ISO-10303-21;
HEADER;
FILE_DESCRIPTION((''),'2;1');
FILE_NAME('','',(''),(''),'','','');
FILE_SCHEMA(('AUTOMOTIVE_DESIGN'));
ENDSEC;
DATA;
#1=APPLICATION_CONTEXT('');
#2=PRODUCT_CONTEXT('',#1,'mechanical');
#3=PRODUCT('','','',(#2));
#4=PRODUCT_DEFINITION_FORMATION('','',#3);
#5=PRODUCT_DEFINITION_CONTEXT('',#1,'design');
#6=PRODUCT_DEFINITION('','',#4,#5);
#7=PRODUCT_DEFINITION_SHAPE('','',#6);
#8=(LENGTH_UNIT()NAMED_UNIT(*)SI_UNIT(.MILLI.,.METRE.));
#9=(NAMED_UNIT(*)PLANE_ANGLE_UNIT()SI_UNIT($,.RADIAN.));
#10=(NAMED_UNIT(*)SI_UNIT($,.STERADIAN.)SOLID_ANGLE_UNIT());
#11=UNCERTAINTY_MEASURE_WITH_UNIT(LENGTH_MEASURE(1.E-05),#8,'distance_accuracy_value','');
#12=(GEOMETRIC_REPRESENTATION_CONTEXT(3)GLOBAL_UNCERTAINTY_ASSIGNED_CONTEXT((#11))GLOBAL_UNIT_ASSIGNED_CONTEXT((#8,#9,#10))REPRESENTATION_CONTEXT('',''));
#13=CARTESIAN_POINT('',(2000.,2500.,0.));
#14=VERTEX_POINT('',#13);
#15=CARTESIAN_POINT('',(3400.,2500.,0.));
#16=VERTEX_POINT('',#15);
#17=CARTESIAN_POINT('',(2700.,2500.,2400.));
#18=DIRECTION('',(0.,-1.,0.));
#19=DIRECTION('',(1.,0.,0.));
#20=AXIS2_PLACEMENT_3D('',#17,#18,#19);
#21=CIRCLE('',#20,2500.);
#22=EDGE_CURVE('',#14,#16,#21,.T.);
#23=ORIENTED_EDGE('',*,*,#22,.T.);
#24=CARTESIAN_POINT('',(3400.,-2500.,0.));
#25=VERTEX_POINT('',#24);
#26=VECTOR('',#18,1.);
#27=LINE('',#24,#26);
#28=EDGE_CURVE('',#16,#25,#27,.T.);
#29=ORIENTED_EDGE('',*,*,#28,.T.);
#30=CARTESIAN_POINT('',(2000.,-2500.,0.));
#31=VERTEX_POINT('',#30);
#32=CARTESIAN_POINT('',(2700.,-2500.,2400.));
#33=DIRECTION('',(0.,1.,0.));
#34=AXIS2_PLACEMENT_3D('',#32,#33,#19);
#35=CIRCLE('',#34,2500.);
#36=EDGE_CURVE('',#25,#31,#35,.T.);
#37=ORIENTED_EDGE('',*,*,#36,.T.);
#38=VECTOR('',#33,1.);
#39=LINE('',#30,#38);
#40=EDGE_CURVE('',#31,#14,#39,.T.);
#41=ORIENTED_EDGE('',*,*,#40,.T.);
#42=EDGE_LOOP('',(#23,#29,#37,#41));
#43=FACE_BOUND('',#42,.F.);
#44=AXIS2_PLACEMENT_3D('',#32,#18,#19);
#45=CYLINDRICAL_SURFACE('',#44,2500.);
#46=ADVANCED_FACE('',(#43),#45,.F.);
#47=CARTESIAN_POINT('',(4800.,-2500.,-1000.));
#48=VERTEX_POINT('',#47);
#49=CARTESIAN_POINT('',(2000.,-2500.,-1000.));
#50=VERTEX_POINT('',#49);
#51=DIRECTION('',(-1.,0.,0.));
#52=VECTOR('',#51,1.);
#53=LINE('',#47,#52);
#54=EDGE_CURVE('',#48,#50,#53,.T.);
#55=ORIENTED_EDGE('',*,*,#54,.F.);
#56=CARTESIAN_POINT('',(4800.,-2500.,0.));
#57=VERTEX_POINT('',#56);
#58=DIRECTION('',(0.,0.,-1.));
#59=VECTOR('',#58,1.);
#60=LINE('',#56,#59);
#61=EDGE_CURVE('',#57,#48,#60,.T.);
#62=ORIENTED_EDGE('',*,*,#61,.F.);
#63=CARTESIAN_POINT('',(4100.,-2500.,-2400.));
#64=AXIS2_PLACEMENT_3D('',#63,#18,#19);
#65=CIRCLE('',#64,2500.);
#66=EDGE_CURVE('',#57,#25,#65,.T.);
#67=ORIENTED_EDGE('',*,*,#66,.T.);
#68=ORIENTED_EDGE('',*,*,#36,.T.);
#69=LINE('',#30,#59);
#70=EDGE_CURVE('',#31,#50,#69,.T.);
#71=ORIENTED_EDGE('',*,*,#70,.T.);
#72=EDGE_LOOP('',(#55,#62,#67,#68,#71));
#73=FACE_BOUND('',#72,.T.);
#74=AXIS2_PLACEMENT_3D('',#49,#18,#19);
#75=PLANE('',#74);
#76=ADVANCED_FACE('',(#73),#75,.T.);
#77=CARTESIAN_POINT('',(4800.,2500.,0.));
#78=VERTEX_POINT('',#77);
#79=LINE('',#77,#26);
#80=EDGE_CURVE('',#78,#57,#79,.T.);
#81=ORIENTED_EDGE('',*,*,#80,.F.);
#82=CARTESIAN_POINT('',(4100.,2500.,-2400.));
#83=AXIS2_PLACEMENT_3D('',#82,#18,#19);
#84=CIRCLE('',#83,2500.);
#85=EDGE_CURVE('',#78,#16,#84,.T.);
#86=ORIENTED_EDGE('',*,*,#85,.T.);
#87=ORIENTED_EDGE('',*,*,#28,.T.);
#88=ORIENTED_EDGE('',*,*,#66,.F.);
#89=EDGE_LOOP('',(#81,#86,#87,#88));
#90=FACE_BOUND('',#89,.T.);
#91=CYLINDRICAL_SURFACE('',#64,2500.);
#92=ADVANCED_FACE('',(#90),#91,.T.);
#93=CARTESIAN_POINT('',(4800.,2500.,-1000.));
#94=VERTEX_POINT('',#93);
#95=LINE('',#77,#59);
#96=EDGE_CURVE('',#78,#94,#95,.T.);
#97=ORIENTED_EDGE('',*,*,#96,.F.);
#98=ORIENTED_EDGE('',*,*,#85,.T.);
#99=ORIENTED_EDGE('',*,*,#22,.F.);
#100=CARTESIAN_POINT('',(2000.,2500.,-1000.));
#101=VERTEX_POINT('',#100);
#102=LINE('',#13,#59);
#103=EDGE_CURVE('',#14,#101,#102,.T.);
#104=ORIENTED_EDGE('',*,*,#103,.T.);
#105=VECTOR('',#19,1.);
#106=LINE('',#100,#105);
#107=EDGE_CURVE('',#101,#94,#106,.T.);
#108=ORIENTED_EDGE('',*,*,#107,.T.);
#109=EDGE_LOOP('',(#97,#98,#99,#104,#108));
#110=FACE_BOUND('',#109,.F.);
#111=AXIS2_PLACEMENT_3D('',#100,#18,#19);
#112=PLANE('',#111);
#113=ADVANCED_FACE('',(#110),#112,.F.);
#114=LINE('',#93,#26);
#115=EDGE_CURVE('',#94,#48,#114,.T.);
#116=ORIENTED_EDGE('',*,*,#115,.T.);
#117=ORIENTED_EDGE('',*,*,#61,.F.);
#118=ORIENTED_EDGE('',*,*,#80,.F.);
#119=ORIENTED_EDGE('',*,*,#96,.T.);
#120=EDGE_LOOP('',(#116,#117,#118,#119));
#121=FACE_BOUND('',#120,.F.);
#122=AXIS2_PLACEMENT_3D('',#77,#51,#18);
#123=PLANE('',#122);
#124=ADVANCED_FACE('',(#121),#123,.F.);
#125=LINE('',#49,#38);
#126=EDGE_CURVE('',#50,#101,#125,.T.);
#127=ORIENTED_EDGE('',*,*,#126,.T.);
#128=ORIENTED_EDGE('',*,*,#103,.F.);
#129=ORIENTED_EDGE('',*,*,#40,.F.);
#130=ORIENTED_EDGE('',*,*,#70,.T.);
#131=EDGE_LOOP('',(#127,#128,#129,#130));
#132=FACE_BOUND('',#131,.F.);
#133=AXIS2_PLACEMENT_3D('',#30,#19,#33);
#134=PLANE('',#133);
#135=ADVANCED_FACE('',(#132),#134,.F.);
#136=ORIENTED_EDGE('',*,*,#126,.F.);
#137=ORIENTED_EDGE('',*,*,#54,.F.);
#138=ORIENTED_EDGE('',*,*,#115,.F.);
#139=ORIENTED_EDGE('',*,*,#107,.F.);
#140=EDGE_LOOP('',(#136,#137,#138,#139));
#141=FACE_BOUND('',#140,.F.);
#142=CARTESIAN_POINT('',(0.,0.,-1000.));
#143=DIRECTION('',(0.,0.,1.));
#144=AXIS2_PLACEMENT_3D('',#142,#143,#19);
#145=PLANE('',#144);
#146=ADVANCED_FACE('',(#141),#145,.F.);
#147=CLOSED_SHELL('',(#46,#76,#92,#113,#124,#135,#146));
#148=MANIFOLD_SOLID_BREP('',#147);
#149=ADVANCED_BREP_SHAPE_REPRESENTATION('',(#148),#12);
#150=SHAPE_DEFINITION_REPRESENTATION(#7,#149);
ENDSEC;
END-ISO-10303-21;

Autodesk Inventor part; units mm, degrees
ref_plane "YZ Plane" through (0, 0, 0) normal (1, 0, 0) x (0, 1, 0)
ref_plane "XZ Plane" through (0, 0, 0) normal (0, 1, 0) x (-1, 0, 0)
ref_plane "XY Plane" through (0, 0, 0) normal (0, 0, 1) x (1, 0, 0)
sketch "スケッチ1" plane through (0, 0, 0) normal (0, 0, 1) x (1, 0, 0)
  line L0 (2000, 2500) -> (4800, 2500)
  line L1 (4800, 2500) -> (4800, -2500)
  line L2 (4800, -2500) -> (2000, -2500)
  line L3 (2000, -2500) -> (2000, 2500)
  point P0 (0, 0)
  point P1 (2000, 0)
  dimension "d2" = 5000
  dimension "d5" = 2000
  dimension "d6" = 2800
extrude "押し出し1" add sketch "スケッチ1" against normal blind 1000
sketch "スケッチ2" plane through (2000, -2500, 0) normal (0, -1, 0) x (1, 0, 0)
  circle A0 centre (700, 2400) radius 2500
  line L0 (0, 0) -> (2800, 0) projected
  point P0 (-2000, 0)
  point P1 (1400, 0)
  dimension "d7" = 5000
extrude "押し出し2" cut sketch "スケッチ2" against normal through all
sketch "スケッチ3" plane through (2000, -2500, -1000) normal (0, -1, 0) x (1, 0, 0)
  line L0 (2800, 1000) -> (1400, 1000) projected
  circle A0 centre (2100, -1400) radius 2500
  point P0 (-2000, 1000)
  dimension "d10" = 5000
extrude "押し出し3" add sketch "スケッチ3" against normal blind 5000 contours L0 A0 picked at (1910.2312, 1011.4384)
properties part number "Ground2"
